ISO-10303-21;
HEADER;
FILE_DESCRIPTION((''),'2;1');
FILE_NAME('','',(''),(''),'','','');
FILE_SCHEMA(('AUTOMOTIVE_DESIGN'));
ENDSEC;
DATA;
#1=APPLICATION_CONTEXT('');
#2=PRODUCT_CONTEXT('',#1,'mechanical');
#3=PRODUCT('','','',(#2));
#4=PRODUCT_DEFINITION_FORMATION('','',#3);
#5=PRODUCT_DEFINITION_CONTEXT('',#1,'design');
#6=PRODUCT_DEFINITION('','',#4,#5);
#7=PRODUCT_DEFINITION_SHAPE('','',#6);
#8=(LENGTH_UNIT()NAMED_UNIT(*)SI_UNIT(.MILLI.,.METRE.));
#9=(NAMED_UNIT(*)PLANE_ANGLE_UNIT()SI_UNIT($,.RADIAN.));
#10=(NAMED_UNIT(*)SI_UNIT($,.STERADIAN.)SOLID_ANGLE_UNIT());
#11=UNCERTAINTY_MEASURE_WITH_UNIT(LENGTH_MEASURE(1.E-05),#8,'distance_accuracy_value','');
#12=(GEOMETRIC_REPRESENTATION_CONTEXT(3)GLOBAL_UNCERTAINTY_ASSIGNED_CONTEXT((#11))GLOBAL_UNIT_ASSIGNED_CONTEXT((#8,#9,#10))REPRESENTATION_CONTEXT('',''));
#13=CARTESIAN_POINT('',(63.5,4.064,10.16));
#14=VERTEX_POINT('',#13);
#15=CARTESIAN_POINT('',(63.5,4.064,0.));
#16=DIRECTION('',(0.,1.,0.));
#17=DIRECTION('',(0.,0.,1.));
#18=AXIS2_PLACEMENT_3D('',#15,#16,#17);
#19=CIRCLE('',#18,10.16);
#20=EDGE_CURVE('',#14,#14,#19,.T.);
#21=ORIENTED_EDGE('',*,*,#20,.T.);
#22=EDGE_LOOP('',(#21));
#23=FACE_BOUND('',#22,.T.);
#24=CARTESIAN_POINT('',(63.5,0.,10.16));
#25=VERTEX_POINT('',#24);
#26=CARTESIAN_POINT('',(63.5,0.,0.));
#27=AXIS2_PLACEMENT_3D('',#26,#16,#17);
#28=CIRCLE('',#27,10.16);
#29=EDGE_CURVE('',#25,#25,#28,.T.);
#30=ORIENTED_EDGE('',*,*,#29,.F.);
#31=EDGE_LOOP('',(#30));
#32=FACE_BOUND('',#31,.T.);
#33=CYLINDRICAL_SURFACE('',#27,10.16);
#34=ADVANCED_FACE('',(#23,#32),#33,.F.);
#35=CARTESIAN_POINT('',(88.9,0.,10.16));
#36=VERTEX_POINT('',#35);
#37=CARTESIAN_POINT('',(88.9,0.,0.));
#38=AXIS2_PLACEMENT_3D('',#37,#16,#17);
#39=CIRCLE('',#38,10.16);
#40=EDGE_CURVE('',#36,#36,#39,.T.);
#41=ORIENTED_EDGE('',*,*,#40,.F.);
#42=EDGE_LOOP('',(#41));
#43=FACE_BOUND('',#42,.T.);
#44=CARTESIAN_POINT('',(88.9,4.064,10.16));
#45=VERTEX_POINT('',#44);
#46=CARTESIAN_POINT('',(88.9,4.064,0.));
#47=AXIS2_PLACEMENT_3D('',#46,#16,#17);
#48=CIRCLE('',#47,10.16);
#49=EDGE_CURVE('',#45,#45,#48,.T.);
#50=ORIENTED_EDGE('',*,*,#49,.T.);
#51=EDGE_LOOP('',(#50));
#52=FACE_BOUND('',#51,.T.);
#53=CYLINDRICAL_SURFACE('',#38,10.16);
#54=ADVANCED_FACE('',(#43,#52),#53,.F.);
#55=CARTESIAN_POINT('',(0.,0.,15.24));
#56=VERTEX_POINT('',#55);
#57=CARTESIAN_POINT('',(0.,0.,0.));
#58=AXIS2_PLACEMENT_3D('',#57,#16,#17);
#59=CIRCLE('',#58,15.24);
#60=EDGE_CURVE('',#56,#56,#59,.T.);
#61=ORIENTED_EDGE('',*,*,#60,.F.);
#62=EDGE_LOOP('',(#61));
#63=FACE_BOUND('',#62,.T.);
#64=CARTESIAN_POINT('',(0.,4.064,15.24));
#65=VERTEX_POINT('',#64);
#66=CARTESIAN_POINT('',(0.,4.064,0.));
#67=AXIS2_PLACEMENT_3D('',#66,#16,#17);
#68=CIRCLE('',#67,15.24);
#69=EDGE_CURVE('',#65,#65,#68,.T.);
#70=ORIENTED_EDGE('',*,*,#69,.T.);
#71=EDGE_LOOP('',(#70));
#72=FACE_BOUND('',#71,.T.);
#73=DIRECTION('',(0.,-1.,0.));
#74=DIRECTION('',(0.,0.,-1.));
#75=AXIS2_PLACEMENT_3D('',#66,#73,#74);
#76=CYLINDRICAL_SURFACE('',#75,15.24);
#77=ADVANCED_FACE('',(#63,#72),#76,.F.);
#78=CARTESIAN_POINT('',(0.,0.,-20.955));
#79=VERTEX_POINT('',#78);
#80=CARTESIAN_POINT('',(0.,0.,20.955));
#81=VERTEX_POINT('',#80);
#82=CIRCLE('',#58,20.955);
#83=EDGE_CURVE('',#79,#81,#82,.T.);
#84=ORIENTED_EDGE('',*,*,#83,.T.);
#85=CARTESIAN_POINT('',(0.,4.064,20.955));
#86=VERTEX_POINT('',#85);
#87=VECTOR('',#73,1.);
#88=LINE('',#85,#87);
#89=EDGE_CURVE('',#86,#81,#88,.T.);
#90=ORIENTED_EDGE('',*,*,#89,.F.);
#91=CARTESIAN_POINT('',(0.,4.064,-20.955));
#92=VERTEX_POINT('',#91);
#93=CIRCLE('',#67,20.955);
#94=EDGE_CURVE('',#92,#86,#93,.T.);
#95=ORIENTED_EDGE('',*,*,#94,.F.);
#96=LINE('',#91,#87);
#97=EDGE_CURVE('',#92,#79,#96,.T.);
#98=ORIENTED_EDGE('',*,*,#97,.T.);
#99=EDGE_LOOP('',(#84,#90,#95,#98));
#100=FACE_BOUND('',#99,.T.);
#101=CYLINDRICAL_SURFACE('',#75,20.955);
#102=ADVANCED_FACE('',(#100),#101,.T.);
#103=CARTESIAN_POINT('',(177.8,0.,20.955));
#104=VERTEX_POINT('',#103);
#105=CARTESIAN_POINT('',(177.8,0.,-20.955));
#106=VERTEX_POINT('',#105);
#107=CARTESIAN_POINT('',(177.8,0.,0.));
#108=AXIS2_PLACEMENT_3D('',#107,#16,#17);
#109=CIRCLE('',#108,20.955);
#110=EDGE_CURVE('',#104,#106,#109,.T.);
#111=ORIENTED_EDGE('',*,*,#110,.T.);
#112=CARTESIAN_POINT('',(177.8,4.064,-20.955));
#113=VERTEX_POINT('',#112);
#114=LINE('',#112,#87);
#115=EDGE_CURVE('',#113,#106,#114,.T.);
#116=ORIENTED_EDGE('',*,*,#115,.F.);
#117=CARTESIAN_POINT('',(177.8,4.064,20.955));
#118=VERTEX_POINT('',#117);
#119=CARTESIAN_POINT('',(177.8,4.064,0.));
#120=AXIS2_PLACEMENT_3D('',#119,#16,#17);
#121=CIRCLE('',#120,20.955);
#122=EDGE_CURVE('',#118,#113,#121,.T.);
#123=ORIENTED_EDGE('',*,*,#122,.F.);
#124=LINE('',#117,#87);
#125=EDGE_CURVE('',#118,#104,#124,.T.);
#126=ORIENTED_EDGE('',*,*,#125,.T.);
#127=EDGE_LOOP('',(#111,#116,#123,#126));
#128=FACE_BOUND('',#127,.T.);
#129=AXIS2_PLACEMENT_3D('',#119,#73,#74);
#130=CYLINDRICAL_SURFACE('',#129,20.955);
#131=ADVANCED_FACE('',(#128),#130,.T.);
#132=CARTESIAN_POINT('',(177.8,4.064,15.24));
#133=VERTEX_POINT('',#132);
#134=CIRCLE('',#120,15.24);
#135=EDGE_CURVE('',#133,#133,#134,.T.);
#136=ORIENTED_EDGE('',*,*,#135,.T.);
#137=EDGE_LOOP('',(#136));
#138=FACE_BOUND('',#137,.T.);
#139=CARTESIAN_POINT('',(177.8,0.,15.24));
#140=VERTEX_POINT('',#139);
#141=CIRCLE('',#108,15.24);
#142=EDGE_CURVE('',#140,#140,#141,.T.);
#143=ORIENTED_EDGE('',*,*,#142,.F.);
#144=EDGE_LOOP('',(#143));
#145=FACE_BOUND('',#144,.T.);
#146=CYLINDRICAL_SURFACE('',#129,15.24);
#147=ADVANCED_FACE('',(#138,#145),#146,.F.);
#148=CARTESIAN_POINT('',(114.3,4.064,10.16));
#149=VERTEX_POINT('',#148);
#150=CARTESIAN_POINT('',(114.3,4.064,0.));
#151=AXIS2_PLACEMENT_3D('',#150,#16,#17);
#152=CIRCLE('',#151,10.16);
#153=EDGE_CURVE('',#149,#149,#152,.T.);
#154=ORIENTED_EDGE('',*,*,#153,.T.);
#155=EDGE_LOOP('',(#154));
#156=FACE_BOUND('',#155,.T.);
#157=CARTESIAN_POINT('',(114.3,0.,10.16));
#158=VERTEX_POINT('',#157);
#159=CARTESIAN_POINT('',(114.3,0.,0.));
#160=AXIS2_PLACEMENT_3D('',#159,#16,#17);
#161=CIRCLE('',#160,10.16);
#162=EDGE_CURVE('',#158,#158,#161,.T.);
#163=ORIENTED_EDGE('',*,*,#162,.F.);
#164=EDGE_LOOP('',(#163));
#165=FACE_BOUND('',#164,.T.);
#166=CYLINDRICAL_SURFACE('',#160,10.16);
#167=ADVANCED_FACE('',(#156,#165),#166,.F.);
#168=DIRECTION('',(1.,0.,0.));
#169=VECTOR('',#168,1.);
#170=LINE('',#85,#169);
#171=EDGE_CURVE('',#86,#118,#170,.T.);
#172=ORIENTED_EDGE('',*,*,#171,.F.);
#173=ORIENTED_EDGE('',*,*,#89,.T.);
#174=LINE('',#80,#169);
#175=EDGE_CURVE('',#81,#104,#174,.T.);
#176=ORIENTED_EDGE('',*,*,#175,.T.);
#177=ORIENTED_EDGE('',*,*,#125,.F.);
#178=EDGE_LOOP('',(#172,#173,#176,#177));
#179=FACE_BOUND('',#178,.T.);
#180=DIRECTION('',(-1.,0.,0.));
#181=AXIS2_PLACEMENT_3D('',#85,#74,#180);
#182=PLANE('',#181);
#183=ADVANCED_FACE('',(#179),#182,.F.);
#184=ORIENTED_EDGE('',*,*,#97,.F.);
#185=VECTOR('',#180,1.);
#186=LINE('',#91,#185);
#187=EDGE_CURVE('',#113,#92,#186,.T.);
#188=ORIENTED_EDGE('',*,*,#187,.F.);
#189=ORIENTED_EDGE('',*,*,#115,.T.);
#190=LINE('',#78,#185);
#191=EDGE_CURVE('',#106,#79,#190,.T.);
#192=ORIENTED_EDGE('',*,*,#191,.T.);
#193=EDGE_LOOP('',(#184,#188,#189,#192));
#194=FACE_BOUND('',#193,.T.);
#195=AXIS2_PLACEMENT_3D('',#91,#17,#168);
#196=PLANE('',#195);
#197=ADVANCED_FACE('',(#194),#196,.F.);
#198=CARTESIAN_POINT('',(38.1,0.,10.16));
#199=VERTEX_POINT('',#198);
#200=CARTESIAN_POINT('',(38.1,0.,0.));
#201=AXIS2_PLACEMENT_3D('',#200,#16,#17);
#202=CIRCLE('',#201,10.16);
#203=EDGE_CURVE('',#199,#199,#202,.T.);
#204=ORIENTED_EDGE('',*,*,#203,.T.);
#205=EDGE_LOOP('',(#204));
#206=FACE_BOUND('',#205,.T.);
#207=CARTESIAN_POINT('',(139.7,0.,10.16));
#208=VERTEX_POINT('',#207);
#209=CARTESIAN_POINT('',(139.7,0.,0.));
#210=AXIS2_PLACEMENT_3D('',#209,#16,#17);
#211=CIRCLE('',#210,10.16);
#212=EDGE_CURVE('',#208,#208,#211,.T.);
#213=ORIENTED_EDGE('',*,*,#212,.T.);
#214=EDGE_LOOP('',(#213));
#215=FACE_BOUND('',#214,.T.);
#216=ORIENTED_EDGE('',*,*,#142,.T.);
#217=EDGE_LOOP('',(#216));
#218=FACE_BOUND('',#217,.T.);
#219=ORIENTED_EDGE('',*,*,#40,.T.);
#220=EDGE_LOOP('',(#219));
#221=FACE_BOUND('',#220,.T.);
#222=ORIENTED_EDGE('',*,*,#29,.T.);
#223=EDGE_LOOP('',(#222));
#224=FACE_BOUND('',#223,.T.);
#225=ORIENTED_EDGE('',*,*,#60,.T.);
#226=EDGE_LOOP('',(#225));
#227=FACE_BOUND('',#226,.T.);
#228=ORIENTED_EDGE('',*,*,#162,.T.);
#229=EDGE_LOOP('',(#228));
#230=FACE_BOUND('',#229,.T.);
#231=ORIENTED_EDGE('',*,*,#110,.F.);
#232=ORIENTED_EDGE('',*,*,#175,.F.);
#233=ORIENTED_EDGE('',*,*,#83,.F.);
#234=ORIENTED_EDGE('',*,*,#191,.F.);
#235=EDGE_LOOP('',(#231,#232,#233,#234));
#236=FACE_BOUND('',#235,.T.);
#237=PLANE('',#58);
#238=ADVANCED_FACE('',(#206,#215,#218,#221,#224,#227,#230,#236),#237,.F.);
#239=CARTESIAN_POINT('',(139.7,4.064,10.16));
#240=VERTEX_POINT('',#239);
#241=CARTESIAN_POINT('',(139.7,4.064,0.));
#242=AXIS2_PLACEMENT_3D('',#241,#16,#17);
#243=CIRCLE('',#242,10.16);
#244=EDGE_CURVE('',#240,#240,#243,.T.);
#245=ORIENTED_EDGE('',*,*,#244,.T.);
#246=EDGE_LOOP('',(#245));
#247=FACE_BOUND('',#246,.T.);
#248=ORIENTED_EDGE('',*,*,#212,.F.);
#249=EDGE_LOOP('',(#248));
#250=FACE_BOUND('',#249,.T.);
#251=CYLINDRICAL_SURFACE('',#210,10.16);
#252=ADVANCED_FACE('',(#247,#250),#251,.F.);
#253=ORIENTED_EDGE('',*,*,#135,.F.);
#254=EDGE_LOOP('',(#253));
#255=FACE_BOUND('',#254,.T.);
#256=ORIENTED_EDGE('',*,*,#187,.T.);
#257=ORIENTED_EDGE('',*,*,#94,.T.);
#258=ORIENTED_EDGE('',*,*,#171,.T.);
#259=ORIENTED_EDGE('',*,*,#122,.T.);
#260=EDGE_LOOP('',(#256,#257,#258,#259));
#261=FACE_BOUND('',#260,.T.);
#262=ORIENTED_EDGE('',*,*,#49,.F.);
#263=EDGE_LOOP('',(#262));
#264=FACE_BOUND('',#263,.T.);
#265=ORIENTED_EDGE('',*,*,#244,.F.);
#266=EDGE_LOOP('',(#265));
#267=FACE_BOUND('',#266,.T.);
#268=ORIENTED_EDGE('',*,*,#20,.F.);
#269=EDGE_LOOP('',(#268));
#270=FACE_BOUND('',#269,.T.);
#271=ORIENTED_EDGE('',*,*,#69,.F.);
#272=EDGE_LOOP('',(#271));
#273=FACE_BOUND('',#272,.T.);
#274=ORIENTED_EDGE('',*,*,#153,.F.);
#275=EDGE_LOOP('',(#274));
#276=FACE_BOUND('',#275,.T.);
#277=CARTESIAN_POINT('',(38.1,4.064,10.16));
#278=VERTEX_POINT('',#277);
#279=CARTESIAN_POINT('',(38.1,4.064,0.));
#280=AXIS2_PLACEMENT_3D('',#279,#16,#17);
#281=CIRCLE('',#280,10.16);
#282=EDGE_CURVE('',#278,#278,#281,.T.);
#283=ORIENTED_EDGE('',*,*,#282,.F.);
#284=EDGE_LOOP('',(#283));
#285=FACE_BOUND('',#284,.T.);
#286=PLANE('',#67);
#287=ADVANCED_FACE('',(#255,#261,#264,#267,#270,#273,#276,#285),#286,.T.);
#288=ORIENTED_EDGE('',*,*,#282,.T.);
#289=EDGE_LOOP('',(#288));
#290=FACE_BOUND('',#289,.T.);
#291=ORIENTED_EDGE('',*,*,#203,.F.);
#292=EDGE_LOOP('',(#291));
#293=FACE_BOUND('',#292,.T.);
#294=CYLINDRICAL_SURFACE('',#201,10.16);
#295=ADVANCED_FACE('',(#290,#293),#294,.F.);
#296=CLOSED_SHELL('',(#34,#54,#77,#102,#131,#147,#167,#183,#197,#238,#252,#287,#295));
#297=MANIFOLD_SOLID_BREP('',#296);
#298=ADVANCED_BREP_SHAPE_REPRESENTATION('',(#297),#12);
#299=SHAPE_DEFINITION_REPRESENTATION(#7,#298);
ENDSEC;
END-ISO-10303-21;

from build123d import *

# Parameters (mm, degrees)
SKETCH1_R           = 15.24
BOSS_EXTRUDE1_DEPTH = 4.064
SKETCH2_R           = 10.16
CUT_EXTRUDE1_DEPTH  = 5.064
LPATTERN1_COUNT     = 5
LPATTERN1_PITCH     = 25.4


with BuildPart() as part:
    # Sketch1 → Boss-Extrude1 (new body)
    with BuildSketch(Plane(origin=(0, 0, 0), x_dir=(1, 0, 0), z_dir=(0, 1, 0))):
        with BuildLine():
            Line((0, 20.955), (177.8, 20.955))
            ThreePointArc((177.8, 20.955), (198.755, 0), (177.8, -20.955))
            Line((177.8, -20.955), (0, -20.955))
            ThreePointArc((0, -20.955), (-20.955, 0), (0, 20.955))
        make_face()
        Circle(SKETCH1_R, mode=Mode.SUBTRACT)
        with Locations((177.8, 0)):
            Circle(SKETCH1_R, mode=Mode.SUBTRACT)
    extrude(amount=BOSS_EXTRUDE1_DEPTH)

    # Sketch2 → Cut-Extrude1 (cut, through all)
    with BuildSketch(Plane(origin=(0, 4.064, 0), x_dir=(1, 0, 0), z_dir=(0, 1, 0))):
        with Locations((38.1, 0)):
            Circle(SKETCH2_R)
    cut_extrude1 = extrude(amount=-CUT_EXTRUDE1_DEPTH, mode=Mode.SUBTRACT)

    # LPattern1: Cut-Extrude1 ×5
    with Locations(*[(i * LPATTERN1_PITCH, 0, 0) for i in range(1, LPATTERN1_COUNT)]):
        add(cut_extrude1, mode=Mode.SUBTRACT)


solid = part.part
